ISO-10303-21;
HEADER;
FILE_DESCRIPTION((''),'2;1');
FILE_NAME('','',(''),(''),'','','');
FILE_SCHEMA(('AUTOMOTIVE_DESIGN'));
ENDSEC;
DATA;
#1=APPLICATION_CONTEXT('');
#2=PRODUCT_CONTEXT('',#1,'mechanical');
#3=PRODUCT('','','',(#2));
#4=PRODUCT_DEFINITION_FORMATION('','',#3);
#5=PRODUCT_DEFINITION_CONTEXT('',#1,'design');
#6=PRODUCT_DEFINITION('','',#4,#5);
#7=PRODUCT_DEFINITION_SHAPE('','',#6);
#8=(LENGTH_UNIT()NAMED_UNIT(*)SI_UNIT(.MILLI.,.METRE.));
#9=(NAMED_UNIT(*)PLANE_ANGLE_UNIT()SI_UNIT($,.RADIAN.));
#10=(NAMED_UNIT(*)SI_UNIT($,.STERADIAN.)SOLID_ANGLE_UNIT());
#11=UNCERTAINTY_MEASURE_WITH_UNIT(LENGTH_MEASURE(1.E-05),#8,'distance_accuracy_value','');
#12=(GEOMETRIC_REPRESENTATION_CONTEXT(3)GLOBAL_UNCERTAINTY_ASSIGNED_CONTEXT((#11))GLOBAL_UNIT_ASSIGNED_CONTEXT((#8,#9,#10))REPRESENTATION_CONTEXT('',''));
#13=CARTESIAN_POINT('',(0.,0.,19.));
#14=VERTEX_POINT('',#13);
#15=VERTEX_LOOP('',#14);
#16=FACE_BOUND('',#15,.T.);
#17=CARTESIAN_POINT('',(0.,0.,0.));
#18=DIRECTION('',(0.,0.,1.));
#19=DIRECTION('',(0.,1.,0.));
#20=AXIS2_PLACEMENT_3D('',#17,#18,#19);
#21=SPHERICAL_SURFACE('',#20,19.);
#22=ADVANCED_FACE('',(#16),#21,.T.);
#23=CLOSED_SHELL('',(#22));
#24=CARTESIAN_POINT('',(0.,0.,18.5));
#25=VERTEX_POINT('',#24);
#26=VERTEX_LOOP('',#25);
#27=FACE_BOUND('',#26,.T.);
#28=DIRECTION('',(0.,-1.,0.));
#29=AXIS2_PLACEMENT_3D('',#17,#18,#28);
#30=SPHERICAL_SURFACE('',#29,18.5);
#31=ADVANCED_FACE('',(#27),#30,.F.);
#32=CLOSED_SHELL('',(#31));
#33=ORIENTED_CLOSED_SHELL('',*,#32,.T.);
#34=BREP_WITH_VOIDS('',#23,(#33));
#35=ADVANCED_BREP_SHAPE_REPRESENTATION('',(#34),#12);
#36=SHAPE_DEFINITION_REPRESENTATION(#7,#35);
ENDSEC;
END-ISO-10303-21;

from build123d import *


with BuildPart() as part:
    # Sketch1 → Revolve5 (revolve)
    with BuildSketch(Plane(origin=(0, 0, 0), x_dir=(0, 0, -1), z_dir=(1, 0, 0))):
        with BuildLine():
            Line((-19, 0), (-18.5, 0))
            ThreePointArc((-18.5, 0), (0, 18.5), (18.5, 0))
            Line((18.5, 0), (19, 0))
            ThreePointArc((19, 0), (0, 19), (-19, 0))
        make_face()
    revolve(axis=Axis((0, 0, 33.712626631), (0, 0, -1)))


solid = part.part
